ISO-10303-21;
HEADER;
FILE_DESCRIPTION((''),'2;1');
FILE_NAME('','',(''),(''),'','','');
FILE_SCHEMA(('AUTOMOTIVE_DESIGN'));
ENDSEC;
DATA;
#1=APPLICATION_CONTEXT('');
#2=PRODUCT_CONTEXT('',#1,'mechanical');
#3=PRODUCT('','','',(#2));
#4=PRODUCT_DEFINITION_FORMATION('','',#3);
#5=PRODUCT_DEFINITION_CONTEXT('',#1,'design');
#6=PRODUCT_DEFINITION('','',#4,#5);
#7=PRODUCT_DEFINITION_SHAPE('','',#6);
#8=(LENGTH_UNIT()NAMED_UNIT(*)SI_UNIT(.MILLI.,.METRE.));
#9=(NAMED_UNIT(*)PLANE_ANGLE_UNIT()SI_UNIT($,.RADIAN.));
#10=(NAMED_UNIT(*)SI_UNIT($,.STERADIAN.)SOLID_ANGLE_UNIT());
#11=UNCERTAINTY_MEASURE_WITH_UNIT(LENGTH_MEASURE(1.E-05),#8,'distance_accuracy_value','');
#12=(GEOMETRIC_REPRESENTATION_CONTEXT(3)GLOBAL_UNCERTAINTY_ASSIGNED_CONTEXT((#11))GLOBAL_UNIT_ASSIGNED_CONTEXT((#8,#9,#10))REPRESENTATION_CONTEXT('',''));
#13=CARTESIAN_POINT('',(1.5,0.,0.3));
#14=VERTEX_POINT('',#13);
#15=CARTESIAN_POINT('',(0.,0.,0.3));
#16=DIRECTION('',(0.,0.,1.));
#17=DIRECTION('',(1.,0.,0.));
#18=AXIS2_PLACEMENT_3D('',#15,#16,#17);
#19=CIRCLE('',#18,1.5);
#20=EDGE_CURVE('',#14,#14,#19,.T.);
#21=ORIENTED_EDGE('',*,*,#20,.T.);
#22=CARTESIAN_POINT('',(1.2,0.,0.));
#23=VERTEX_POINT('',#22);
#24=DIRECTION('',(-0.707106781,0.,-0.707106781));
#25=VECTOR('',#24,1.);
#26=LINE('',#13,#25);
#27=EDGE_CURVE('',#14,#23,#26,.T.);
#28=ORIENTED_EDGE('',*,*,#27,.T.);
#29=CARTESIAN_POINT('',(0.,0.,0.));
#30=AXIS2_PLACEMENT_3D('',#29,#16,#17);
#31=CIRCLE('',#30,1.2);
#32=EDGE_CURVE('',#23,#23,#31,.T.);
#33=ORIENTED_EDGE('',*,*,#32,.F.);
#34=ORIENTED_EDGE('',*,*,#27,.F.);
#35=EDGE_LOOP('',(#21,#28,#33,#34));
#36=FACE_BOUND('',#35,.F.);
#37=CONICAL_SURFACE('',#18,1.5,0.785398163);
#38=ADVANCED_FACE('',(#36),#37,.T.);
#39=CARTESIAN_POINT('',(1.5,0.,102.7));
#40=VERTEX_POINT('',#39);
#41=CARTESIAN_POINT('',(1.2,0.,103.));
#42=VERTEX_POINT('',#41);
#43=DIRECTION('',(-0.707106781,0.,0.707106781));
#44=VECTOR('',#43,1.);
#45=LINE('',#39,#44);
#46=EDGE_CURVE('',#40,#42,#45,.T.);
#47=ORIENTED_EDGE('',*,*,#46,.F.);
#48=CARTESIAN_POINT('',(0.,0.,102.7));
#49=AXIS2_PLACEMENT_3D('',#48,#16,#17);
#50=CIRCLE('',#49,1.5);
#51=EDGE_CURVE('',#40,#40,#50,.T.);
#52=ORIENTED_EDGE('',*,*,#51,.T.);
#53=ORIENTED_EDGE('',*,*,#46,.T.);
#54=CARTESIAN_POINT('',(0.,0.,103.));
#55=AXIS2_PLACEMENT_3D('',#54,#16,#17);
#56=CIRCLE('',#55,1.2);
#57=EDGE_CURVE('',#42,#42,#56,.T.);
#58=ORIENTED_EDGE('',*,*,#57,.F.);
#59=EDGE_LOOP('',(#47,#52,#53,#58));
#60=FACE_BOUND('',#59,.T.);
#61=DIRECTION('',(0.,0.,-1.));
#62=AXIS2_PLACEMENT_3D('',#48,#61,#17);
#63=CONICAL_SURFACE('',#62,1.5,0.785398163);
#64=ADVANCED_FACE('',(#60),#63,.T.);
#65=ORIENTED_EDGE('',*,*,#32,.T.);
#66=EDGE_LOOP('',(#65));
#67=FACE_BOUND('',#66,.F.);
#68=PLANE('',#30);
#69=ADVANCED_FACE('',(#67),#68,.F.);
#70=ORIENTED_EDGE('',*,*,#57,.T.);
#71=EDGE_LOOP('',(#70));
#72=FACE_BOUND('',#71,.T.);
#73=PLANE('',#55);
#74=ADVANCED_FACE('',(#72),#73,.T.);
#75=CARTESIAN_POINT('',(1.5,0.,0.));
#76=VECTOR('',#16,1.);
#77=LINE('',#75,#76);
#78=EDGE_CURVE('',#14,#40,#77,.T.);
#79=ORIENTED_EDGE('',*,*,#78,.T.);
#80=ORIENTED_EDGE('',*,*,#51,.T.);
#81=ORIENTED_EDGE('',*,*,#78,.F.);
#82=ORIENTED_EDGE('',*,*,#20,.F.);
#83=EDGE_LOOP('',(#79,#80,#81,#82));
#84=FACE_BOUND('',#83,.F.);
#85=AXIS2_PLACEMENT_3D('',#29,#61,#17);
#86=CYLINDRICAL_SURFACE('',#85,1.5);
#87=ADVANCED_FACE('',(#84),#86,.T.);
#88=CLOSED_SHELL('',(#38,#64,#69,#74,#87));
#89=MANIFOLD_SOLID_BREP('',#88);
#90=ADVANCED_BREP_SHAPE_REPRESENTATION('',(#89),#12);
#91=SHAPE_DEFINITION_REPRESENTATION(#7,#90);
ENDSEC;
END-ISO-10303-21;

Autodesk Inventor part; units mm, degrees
ref_plane "YZ Plane" through (0, 0, 0) normal (1, 0, 0) x (0, 1, 0)
ref_plane "XZ Plane" through (0, 0, 0) normal (0, 1, 0) x (-1, 0, 0)
ref_plane "XY Plane" through (0, 0, 0) normal (0, 0, 1) x (1, 0, 0)
sketch "Skizze1" plane through (0, 0, 0) normal (0, 0, 1) x (1, 0, 0)
  circle A0 centre (0, 0) radius 1.5
  dimension "d0" = 3
extrude "Extrusion1" add sketch "Skizze1" along normal blind 103
thread "Gewinde1" size "M3x0.5" class "6g" standard "ANSI Metric M Profile" full length
chamfer "Fase1" distance 0.3 angle 45 2 edges at (-1.5, 0, 103) (-1.5, 0, 0)
properties part number "Gewindestange M3x103mm" material "Stahl"
